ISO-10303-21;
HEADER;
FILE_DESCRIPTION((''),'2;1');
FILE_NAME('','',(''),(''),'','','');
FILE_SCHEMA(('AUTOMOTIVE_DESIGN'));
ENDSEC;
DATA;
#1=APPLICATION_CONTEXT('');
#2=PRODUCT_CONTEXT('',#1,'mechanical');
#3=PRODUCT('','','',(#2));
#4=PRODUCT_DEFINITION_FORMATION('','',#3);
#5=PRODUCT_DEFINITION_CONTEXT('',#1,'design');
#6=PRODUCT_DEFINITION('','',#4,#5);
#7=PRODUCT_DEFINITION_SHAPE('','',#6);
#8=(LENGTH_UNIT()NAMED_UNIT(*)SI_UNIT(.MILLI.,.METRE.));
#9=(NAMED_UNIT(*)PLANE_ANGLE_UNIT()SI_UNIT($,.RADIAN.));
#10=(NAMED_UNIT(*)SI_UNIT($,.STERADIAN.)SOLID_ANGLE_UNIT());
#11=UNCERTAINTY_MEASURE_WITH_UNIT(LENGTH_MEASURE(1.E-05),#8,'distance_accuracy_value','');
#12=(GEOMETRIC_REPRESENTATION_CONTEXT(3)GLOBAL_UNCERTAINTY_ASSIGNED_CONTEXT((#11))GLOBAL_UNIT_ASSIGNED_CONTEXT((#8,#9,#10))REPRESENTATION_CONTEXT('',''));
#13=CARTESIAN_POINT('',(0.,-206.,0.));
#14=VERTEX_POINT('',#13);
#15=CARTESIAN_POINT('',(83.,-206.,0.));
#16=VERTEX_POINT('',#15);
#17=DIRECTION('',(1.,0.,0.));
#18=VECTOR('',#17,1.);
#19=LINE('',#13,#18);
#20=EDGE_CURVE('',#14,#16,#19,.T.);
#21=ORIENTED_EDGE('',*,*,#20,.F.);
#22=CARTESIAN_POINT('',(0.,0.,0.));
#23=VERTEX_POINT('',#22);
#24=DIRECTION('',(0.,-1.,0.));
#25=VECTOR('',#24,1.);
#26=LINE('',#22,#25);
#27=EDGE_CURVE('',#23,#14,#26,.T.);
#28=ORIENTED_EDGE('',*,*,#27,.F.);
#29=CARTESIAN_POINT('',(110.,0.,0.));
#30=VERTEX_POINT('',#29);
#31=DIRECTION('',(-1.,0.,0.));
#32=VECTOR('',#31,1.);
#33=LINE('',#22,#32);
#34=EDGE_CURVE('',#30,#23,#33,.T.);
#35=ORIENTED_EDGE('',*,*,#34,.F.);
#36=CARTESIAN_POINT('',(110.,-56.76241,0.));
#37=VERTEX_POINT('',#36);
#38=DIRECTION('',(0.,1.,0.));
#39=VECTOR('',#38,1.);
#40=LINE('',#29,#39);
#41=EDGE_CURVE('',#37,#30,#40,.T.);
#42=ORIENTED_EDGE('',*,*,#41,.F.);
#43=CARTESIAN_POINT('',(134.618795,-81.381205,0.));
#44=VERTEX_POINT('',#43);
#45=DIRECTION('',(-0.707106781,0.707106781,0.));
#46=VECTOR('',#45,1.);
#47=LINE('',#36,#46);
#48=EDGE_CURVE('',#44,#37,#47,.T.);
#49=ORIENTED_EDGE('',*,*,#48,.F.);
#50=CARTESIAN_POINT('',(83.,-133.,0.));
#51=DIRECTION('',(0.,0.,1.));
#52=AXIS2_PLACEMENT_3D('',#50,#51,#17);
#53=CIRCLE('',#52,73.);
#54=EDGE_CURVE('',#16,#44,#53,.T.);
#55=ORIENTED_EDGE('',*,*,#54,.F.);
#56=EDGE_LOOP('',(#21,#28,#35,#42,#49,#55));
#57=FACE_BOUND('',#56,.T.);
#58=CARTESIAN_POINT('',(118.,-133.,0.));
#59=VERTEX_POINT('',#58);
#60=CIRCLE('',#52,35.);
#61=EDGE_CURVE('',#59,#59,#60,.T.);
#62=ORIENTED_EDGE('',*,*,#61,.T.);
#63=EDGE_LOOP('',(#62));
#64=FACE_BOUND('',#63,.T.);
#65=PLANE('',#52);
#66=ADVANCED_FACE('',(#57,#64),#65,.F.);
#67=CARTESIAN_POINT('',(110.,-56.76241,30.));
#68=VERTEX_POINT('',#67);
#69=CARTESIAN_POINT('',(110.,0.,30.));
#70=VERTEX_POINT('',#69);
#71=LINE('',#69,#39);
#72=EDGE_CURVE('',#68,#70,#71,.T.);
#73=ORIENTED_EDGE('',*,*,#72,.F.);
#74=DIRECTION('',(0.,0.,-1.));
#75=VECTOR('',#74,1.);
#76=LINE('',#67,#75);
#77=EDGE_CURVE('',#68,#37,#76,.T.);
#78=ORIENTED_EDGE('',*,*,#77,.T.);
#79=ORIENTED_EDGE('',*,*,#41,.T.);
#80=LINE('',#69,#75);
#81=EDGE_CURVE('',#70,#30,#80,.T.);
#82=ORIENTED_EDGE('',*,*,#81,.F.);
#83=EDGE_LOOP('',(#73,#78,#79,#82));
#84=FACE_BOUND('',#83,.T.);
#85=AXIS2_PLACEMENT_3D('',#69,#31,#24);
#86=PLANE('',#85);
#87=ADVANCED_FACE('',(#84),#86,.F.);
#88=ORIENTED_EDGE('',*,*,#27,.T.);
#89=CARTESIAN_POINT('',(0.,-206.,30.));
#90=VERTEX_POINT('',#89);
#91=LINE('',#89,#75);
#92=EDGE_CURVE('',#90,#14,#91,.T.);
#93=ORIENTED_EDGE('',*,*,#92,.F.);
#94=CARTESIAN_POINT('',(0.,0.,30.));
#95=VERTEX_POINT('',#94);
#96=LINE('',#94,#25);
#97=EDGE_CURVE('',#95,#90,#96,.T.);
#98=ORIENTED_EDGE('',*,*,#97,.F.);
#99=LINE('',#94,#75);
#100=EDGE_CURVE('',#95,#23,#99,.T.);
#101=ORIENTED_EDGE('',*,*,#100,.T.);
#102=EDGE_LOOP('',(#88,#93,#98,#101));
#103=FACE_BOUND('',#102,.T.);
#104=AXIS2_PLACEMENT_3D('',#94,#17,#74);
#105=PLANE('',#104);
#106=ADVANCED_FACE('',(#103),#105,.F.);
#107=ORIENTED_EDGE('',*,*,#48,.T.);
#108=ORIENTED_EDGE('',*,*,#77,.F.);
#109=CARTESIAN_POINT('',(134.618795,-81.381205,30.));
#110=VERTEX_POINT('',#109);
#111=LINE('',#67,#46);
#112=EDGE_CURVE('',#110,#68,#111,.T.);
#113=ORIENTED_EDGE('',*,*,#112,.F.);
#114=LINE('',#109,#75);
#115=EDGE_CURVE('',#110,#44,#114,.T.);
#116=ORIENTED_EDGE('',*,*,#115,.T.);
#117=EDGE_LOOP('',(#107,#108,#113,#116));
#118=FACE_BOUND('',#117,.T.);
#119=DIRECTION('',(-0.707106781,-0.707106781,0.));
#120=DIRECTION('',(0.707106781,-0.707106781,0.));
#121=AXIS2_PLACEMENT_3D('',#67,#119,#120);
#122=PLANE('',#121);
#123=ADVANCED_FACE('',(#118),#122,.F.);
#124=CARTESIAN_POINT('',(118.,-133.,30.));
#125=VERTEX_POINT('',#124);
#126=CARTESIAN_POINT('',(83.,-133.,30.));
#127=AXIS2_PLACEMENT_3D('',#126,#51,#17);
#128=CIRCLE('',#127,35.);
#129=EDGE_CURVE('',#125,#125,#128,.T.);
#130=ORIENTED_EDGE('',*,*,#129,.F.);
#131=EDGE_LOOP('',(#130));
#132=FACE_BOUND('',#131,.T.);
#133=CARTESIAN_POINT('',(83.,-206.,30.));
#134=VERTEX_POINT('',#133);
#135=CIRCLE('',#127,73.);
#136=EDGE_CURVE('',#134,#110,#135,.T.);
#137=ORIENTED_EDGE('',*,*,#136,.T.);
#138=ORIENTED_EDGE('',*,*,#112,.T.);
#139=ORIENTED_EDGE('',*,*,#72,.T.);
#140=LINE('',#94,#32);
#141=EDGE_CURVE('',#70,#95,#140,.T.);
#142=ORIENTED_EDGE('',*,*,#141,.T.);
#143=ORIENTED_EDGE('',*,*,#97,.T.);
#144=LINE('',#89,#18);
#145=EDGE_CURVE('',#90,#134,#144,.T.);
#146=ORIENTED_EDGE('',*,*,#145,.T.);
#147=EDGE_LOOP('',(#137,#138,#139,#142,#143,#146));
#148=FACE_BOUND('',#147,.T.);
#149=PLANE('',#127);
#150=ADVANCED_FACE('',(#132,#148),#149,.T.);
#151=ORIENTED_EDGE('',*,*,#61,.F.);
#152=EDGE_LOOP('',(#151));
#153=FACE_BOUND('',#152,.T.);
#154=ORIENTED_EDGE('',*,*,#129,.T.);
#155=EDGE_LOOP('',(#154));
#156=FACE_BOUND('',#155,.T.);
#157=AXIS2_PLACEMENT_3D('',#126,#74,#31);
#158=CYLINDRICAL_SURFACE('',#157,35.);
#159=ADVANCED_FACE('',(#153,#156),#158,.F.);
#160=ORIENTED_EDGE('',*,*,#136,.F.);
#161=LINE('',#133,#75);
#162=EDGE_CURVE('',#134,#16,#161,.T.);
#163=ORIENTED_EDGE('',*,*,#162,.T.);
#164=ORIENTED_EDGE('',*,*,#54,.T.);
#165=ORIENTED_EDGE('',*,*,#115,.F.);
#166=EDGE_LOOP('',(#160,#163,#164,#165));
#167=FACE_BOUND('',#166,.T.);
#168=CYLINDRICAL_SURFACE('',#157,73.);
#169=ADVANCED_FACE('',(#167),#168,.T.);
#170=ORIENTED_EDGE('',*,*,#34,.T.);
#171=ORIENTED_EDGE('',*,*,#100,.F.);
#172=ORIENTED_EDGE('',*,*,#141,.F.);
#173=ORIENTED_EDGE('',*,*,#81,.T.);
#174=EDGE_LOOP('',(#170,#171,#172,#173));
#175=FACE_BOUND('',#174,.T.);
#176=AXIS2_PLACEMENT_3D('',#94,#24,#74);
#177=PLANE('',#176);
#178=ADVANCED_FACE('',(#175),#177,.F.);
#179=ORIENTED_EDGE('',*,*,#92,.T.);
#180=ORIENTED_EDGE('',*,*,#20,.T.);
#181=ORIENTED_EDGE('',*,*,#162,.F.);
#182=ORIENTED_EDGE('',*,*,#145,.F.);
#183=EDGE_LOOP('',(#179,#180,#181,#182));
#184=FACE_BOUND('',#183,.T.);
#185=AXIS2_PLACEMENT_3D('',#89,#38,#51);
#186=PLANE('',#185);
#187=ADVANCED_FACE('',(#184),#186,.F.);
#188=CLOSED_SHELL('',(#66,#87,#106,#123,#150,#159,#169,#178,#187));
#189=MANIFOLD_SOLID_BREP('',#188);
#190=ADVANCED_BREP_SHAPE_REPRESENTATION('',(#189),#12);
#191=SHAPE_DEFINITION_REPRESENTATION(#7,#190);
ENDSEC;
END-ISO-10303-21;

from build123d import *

# Parameters (mm, degrees)
SKETCH_1_R      = 35
EXTRUDE_1_DEPTH = 30


with BuildPart() as part:
    # 草图1 → 凸台-拉伸1 (new body)
    with BuildSketch(Plane.XY):
        with BuildLine():
            Line((0, 0), (110, 0))
            Line((110, 0), (110, -56.762409947))
            Line((110, -56.762409947), (134.618795027, -81.381204973))
            ThreePointArc((134.618795027, -81.381204973), (150.443205873, -160.935890563), (83, -206))
            Line((83, -206), (0, -206))
            Line((0, -206), (0, 0))
        make_face()
        with Locations((83, -133)):
            Circle(SKETCH_1_R, mode=Mode.SUBTRACT)
    extrude(amount=EXTRUDE_1_DEPTH)


solid = part.part
